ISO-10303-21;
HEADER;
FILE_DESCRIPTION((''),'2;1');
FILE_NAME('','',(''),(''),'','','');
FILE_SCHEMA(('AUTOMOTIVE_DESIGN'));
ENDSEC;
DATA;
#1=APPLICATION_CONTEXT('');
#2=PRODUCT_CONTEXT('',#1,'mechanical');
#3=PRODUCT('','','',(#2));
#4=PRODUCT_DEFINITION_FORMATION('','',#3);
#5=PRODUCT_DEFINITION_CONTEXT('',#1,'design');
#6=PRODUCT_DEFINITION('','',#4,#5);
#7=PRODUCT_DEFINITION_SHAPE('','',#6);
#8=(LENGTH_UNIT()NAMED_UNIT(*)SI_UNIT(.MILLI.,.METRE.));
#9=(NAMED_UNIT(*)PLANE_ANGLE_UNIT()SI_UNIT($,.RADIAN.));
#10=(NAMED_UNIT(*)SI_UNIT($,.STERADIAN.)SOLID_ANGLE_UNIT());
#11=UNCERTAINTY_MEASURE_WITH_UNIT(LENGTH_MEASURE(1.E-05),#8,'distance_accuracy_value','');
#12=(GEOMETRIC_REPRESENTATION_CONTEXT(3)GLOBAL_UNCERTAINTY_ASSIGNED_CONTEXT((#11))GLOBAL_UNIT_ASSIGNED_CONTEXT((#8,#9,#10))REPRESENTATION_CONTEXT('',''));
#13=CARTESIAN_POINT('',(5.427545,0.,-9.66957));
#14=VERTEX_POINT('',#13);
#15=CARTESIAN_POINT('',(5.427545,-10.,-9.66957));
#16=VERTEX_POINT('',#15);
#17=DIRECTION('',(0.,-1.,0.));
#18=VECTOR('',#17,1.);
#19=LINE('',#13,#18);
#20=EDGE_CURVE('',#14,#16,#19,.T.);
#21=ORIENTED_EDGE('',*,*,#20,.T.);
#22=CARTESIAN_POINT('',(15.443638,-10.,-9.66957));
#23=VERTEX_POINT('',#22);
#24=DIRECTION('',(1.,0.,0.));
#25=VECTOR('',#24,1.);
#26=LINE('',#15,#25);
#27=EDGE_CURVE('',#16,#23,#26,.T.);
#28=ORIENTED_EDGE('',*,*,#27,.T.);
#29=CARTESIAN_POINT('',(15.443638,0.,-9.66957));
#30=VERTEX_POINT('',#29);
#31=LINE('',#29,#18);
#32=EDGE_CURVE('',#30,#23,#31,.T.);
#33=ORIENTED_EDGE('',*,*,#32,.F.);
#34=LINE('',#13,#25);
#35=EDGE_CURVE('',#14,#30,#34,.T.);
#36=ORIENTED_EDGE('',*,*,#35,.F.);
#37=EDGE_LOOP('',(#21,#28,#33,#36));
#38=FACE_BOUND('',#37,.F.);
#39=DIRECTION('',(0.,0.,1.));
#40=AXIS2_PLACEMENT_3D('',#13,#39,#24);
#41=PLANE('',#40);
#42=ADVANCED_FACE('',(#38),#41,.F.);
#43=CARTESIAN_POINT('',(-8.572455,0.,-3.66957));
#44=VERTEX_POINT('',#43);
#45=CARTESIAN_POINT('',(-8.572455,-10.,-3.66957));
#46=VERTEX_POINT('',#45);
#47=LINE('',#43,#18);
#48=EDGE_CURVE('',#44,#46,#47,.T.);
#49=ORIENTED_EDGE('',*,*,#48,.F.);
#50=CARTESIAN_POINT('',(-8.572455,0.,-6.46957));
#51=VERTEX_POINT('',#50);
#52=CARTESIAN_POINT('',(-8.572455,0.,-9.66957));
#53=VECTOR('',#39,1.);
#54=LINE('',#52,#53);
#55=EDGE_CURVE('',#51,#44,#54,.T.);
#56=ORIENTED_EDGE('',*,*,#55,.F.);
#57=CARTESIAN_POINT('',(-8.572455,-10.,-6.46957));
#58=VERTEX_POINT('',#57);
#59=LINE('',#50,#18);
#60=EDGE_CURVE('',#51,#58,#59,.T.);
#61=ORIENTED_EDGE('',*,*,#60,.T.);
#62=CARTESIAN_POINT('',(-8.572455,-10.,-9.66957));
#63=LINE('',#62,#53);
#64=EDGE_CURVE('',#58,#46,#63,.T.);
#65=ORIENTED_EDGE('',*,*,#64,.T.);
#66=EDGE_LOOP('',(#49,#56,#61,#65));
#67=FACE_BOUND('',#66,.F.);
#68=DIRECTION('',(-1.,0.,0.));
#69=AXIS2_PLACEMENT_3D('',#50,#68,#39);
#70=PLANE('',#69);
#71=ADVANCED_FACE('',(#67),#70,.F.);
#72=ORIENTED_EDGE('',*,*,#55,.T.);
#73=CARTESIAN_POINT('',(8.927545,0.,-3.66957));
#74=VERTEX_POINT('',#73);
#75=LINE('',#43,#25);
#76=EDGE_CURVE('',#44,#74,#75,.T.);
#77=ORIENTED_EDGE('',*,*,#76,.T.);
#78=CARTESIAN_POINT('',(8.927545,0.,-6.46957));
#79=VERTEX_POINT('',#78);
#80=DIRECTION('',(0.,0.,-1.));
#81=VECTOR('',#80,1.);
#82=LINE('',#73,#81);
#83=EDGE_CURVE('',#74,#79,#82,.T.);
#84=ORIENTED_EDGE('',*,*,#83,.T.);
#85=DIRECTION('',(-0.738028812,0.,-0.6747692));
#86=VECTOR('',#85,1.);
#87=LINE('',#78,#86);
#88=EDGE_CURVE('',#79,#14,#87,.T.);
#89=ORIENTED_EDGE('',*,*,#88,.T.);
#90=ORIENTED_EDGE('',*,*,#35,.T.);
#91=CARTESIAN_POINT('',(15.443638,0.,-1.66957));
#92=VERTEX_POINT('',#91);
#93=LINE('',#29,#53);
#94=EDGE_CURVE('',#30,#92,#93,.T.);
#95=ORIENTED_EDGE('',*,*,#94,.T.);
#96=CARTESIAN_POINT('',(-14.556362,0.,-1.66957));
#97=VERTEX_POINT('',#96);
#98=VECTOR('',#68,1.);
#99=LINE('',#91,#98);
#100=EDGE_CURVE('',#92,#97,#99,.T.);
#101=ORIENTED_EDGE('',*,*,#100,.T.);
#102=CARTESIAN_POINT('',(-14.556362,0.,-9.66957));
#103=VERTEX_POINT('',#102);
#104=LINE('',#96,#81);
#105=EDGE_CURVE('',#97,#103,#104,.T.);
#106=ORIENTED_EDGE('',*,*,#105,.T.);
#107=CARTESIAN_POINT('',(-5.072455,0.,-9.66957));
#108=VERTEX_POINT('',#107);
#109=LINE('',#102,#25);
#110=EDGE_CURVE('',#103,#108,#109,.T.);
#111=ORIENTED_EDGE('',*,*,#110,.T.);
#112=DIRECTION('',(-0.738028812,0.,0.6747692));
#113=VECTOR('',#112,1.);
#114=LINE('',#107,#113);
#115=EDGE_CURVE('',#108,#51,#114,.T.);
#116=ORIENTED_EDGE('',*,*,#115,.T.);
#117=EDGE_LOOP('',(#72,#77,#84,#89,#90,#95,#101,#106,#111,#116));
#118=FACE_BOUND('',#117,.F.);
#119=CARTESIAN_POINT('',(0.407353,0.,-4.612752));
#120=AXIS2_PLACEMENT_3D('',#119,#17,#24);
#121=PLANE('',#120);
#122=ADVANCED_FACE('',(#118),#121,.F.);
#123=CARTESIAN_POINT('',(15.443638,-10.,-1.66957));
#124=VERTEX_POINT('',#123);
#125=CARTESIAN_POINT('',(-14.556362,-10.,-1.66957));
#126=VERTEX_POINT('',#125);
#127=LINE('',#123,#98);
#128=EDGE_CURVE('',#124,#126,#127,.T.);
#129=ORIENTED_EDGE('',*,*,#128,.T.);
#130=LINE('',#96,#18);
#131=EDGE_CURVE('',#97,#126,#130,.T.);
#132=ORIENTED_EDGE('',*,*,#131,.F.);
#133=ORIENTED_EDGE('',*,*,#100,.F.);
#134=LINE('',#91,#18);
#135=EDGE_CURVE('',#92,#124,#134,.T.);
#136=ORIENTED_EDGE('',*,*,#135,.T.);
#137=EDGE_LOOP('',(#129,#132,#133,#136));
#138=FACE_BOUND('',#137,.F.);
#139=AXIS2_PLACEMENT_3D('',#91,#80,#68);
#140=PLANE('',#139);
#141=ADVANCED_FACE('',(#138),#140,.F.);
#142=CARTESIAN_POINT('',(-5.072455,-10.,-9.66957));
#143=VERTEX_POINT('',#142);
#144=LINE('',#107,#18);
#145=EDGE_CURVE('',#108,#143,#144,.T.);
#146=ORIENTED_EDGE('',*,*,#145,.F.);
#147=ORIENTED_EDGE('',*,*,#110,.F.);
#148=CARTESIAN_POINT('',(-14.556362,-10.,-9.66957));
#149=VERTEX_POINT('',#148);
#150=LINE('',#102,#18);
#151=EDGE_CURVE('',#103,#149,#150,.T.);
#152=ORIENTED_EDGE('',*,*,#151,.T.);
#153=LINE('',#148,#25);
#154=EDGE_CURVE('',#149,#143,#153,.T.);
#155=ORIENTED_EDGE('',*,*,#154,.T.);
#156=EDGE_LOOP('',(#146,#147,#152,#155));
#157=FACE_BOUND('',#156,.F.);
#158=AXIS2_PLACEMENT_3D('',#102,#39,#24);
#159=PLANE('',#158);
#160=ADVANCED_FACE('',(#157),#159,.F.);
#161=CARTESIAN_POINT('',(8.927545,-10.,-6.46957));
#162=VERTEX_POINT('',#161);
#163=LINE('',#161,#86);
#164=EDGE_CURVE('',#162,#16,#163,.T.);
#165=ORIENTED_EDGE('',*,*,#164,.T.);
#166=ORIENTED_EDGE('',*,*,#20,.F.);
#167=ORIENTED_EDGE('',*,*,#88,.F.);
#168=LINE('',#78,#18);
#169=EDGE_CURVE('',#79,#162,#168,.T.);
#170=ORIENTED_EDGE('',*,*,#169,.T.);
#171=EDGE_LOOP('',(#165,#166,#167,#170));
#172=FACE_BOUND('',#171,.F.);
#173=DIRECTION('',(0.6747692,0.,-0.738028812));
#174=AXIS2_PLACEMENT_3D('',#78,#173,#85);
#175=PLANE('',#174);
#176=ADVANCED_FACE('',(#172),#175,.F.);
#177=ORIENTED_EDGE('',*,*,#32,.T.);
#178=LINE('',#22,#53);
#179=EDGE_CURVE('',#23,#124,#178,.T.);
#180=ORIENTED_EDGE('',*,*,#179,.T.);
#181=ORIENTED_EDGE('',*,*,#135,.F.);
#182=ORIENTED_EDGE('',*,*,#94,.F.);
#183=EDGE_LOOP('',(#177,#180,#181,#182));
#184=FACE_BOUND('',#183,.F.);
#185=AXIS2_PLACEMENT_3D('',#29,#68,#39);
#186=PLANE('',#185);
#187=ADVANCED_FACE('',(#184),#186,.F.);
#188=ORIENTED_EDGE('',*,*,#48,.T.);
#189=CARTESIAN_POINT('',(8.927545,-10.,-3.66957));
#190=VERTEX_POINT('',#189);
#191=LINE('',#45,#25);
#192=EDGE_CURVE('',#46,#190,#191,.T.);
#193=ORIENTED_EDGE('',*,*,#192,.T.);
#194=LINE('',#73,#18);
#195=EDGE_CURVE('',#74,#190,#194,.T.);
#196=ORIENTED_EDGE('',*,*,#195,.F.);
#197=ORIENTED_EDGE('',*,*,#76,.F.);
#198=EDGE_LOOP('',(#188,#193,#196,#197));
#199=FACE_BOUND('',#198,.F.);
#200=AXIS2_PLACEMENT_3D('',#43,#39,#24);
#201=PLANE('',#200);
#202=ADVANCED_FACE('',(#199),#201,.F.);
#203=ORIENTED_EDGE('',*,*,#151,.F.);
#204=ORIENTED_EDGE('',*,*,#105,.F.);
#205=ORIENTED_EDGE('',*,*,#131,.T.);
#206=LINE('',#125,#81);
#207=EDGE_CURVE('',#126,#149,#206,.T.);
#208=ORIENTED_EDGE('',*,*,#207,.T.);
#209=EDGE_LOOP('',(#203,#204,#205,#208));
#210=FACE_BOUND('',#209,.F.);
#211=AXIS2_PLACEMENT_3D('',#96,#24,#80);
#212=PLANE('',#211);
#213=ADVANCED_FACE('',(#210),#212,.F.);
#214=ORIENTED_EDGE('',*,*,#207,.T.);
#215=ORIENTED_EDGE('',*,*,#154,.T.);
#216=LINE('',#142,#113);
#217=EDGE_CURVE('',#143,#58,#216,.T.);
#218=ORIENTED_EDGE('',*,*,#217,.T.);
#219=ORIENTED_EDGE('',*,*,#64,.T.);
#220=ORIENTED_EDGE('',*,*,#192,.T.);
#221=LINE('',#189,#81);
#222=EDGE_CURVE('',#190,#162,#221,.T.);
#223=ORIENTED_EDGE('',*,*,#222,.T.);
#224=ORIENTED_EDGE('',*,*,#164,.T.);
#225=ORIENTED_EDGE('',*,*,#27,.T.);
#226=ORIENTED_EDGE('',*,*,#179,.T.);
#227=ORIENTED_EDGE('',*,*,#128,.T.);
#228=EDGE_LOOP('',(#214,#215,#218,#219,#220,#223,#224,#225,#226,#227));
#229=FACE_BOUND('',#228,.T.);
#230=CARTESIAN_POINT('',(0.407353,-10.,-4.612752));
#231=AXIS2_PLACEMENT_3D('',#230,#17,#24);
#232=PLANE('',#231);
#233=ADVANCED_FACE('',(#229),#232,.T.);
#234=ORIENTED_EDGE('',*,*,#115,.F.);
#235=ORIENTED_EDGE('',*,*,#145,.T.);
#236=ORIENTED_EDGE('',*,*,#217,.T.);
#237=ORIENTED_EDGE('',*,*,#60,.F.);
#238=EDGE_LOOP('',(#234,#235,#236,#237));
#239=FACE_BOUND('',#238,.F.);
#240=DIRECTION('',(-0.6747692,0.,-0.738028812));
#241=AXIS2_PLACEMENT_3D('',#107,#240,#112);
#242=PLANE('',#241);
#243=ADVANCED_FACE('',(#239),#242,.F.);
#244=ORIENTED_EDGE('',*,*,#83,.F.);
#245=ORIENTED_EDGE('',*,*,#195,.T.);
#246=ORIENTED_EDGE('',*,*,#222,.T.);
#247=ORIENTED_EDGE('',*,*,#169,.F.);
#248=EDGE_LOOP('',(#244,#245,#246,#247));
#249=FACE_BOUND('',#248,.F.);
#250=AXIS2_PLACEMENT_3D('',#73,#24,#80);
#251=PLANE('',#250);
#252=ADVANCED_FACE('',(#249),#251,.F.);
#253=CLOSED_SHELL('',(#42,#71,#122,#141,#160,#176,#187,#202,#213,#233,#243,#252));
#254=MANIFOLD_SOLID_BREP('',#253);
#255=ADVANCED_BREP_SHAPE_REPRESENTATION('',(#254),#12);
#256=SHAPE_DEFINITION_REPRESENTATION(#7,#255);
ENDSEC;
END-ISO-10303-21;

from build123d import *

# Parameters (mm, degrees)
F1_DEPTH = 10


with BuildPart() as f1:
    # F0 (on Front) → F1 (new body)
    with BuildSketch(Plane.XZ):
        Polygon((-14.556362, -1.66957), (-14.556362, -9.66957), (-8.572455, -9.66957), (-8.572455, -6.46957), (-8.572455, -5.778697), (-8.572455, -3.66957), (8.927545, -3.66957), (8.927545, -5.66957), (8.927545, -6.46957), (8.927545, -9.66957), (15.443638, -9.66957), (15.443638, -1.66957), align=None)
        Polygon((-8.572455, -6.46957), (-8.572455, -9.66957), (-5.072455, -9.66957), align=None)
        Polygon((8.927545, -6.46957), (5.427545, -9.66957), (8.927545, -9.66957), align=None)
    extrude(amount=F1_DEPTH)


solid = f1.part
